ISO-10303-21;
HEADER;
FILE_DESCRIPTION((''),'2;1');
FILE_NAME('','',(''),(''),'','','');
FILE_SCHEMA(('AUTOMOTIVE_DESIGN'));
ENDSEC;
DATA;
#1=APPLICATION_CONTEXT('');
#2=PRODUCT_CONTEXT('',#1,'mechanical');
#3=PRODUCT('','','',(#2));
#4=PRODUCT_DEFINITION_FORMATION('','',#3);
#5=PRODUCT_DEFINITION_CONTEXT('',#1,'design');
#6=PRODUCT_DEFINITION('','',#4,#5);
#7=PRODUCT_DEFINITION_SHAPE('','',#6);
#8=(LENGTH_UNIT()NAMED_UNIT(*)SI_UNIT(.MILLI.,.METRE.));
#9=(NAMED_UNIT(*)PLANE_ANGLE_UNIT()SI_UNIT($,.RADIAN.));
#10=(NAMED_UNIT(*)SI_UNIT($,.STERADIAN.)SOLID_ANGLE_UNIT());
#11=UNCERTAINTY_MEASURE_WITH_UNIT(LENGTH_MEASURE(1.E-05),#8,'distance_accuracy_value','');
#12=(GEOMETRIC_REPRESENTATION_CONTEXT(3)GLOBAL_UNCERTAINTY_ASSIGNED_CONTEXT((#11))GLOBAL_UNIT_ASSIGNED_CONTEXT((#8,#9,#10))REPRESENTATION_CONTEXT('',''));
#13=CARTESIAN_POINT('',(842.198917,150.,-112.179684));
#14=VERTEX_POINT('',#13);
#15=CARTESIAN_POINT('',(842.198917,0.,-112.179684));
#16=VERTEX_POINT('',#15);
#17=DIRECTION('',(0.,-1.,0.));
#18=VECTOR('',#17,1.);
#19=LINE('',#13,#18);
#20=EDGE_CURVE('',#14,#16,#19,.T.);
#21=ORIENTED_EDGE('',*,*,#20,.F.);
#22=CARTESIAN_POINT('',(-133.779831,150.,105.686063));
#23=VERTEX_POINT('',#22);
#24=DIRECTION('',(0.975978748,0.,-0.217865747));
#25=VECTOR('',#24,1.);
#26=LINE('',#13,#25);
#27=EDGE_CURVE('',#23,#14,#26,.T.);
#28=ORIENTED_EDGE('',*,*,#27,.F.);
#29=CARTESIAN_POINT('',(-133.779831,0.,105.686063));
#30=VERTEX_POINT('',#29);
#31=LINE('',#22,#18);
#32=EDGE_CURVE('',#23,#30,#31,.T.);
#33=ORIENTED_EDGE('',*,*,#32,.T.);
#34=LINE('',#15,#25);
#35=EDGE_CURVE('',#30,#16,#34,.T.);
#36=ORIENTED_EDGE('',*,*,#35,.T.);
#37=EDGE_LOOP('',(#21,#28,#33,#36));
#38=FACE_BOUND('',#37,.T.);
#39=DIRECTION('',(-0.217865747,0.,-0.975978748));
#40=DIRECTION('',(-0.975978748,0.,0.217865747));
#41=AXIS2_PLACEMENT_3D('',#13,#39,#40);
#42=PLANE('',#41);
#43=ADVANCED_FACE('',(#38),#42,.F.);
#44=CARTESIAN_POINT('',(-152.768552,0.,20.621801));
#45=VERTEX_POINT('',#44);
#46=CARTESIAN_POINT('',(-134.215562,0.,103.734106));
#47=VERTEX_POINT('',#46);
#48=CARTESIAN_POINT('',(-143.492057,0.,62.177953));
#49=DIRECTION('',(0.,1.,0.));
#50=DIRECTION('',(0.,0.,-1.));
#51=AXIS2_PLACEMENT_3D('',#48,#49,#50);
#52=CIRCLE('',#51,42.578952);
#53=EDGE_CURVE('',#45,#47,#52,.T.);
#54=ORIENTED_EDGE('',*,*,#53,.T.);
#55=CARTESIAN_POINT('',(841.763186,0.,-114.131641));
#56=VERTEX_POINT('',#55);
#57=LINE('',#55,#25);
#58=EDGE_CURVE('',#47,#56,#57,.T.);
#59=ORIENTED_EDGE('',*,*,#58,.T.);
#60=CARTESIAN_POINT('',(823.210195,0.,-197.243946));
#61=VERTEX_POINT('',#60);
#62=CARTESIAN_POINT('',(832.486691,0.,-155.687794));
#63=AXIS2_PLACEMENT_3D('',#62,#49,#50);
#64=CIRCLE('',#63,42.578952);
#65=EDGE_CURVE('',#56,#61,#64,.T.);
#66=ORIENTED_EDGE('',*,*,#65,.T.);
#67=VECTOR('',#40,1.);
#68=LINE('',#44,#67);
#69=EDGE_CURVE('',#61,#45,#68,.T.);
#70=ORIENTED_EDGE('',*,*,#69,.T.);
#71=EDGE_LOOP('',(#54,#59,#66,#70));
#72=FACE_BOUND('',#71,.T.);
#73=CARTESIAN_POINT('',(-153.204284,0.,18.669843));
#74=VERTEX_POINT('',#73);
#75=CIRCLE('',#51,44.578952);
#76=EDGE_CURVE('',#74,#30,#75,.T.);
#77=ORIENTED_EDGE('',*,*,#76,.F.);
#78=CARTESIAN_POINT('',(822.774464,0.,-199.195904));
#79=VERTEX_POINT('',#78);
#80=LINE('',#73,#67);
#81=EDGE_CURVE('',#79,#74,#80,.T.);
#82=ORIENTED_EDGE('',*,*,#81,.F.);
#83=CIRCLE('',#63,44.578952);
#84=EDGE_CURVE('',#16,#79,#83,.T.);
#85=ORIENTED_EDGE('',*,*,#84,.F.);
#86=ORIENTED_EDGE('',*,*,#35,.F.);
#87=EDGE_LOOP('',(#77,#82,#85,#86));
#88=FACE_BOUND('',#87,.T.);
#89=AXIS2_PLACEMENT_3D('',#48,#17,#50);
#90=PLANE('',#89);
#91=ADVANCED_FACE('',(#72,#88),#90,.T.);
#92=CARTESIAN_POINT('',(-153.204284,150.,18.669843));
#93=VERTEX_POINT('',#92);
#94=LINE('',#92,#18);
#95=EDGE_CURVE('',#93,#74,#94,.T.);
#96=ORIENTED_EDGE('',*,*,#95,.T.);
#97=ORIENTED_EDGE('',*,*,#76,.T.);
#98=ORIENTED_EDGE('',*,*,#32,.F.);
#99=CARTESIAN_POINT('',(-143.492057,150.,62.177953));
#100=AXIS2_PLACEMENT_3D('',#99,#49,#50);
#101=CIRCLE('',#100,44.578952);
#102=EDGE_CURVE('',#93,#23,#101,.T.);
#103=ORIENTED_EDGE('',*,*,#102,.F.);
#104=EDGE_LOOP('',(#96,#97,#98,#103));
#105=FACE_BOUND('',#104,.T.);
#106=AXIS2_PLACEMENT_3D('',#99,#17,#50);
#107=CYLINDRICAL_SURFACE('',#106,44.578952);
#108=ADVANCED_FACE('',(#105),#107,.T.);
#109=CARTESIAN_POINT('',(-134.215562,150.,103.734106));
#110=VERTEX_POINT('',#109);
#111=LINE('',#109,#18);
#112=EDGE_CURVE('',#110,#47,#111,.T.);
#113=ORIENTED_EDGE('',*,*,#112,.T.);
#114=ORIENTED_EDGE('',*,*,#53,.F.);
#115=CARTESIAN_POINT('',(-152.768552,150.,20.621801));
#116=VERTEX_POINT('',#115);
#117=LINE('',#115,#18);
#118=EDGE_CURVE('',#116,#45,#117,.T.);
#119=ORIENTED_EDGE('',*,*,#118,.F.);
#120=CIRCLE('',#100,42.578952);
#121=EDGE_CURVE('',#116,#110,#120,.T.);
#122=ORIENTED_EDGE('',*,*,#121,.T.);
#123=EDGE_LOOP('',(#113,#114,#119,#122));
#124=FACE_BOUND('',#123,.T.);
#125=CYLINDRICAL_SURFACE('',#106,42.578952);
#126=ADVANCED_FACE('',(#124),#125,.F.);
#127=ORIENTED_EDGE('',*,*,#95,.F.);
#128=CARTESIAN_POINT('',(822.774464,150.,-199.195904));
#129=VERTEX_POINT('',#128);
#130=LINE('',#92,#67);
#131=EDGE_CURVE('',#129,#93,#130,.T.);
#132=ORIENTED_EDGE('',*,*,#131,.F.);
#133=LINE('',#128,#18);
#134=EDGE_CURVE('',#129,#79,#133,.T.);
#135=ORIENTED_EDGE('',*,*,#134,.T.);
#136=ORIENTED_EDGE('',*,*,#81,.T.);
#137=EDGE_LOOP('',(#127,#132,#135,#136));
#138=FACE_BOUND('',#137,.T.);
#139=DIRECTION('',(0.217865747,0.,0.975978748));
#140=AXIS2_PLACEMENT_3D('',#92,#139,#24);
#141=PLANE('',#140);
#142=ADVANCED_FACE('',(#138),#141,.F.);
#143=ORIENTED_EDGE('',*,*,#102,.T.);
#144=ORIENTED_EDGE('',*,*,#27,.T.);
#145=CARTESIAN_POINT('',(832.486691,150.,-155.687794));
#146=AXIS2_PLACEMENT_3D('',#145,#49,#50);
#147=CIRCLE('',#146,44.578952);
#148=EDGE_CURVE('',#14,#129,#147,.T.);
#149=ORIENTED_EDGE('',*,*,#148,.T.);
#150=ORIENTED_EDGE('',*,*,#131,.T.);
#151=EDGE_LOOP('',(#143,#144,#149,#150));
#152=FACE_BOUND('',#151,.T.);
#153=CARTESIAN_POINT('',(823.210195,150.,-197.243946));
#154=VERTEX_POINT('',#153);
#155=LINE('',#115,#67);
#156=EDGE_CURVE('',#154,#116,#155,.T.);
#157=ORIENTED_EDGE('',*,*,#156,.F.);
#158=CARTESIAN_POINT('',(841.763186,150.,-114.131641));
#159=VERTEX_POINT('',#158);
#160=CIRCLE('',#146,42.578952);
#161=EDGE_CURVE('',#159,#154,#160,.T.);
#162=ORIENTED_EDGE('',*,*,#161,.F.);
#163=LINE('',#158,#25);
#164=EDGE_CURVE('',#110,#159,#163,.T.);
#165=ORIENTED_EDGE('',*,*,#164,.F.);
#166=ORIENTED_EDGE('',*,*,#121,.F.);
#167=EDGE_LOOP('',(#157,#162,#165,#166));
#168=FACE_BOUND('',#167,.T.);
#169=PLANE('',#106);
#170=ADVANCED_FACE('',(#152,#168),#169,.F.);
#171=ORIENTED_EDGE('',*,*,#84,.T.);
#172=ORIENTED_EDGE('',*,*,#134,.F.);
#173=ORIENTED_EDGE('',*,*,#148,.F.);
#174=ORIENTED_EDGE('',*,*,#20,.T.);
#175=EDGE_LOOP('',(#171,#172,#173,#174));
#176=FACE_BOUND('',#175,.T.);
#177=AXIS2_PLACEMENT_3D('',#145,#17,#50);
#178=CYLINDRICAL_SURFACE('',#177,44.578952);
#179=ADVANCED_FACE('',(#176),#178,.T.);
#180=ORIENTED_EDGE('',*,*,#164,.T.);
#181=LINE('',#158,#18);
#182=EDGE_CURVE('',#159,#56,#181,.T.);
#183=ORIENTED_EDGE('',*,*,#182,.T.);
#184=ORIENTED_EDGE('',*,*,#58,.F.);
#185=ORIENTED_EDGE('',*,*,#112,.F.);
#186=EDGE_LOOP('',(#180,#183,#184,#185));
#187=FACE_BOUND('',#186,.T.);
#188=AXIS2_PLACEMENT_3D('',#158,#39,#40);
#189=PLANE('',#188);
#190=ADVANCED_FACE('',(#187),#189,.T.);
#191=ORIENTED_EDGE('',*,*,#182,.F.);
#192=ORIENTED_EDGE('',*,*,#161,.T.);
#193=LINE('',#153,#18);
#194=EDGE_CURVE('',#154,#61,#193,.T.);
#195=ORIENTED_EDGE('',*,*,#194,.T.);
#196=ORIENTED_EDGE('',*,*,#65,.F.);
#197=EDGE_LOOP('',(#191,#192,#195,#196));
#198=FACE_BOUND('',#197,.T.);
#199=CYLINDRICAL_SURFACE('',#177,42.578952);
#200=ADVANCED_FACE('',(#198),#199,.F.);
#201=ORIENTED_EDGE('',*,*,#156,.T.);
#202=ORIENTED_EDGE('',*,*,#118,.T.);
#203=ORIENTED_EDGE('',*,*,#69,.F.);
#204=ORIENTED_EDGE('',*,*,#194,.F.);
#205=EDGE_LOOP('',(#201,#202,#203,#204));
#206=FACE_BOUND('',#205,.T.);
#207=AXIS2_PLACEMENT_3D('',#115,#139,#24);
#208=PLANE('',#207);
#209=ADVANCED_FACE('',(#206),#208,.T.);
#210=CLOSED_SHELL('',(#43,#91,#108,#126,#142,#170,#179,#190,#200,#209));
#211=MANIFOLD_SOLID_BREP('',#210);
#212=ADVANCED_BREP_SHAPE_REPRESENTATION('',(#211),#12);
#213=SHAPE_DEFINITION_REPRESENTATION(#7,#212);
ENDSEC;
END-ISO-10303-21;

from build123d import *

# Parameters (mm, degrees)
EXTRUDE_1_DEPTH = 150


with BuildPart() as part:
    # 草图1 → 凸台-拉伸1 (new body)
    with BuildSketch(Plane(origin=(0, 0, 0), x_dir=(1, 0, 0), z_dir=(0, 1, 0))):
        with BuildLine():
            Line((-153.204283988, -18.669843342), (822.774463813, 199.195903942))
            ThreePointArc((822.774463813, 199.195903942), (875.994800528, 165.400020708), (842.198917294, 112.179683993))
            Line((842.198917294, 112.179683993), (-133.779830508, -105.68606329))
            ThreePointArc((-133.779830508, -105.68606329), (-187.000167222, -71.890180056), (-153.204283988, -18.669843342))
        make_face()
        with BuildLine():
            Line((-152.768552494, -20.621800837), (823.210195308, 197.243946446))
            ThreePointArc((823.210195308, 197.243946446), (874.042843032, 164.964289214), (841.7631858, 114.131641489))
            Line((841.7631858, 114.131641489), (-134.215562002, -103.734105795))
            ThreePointArc((-134.215562002, -103.734105795), (-185.048209727, -71.454448562), (-152.768552494, -20.621800837))
        make_face(mode=Mode.SUBTRACT)
    extrude(amount=EXTRUDE_1_DEPTH)


solid = part.part
